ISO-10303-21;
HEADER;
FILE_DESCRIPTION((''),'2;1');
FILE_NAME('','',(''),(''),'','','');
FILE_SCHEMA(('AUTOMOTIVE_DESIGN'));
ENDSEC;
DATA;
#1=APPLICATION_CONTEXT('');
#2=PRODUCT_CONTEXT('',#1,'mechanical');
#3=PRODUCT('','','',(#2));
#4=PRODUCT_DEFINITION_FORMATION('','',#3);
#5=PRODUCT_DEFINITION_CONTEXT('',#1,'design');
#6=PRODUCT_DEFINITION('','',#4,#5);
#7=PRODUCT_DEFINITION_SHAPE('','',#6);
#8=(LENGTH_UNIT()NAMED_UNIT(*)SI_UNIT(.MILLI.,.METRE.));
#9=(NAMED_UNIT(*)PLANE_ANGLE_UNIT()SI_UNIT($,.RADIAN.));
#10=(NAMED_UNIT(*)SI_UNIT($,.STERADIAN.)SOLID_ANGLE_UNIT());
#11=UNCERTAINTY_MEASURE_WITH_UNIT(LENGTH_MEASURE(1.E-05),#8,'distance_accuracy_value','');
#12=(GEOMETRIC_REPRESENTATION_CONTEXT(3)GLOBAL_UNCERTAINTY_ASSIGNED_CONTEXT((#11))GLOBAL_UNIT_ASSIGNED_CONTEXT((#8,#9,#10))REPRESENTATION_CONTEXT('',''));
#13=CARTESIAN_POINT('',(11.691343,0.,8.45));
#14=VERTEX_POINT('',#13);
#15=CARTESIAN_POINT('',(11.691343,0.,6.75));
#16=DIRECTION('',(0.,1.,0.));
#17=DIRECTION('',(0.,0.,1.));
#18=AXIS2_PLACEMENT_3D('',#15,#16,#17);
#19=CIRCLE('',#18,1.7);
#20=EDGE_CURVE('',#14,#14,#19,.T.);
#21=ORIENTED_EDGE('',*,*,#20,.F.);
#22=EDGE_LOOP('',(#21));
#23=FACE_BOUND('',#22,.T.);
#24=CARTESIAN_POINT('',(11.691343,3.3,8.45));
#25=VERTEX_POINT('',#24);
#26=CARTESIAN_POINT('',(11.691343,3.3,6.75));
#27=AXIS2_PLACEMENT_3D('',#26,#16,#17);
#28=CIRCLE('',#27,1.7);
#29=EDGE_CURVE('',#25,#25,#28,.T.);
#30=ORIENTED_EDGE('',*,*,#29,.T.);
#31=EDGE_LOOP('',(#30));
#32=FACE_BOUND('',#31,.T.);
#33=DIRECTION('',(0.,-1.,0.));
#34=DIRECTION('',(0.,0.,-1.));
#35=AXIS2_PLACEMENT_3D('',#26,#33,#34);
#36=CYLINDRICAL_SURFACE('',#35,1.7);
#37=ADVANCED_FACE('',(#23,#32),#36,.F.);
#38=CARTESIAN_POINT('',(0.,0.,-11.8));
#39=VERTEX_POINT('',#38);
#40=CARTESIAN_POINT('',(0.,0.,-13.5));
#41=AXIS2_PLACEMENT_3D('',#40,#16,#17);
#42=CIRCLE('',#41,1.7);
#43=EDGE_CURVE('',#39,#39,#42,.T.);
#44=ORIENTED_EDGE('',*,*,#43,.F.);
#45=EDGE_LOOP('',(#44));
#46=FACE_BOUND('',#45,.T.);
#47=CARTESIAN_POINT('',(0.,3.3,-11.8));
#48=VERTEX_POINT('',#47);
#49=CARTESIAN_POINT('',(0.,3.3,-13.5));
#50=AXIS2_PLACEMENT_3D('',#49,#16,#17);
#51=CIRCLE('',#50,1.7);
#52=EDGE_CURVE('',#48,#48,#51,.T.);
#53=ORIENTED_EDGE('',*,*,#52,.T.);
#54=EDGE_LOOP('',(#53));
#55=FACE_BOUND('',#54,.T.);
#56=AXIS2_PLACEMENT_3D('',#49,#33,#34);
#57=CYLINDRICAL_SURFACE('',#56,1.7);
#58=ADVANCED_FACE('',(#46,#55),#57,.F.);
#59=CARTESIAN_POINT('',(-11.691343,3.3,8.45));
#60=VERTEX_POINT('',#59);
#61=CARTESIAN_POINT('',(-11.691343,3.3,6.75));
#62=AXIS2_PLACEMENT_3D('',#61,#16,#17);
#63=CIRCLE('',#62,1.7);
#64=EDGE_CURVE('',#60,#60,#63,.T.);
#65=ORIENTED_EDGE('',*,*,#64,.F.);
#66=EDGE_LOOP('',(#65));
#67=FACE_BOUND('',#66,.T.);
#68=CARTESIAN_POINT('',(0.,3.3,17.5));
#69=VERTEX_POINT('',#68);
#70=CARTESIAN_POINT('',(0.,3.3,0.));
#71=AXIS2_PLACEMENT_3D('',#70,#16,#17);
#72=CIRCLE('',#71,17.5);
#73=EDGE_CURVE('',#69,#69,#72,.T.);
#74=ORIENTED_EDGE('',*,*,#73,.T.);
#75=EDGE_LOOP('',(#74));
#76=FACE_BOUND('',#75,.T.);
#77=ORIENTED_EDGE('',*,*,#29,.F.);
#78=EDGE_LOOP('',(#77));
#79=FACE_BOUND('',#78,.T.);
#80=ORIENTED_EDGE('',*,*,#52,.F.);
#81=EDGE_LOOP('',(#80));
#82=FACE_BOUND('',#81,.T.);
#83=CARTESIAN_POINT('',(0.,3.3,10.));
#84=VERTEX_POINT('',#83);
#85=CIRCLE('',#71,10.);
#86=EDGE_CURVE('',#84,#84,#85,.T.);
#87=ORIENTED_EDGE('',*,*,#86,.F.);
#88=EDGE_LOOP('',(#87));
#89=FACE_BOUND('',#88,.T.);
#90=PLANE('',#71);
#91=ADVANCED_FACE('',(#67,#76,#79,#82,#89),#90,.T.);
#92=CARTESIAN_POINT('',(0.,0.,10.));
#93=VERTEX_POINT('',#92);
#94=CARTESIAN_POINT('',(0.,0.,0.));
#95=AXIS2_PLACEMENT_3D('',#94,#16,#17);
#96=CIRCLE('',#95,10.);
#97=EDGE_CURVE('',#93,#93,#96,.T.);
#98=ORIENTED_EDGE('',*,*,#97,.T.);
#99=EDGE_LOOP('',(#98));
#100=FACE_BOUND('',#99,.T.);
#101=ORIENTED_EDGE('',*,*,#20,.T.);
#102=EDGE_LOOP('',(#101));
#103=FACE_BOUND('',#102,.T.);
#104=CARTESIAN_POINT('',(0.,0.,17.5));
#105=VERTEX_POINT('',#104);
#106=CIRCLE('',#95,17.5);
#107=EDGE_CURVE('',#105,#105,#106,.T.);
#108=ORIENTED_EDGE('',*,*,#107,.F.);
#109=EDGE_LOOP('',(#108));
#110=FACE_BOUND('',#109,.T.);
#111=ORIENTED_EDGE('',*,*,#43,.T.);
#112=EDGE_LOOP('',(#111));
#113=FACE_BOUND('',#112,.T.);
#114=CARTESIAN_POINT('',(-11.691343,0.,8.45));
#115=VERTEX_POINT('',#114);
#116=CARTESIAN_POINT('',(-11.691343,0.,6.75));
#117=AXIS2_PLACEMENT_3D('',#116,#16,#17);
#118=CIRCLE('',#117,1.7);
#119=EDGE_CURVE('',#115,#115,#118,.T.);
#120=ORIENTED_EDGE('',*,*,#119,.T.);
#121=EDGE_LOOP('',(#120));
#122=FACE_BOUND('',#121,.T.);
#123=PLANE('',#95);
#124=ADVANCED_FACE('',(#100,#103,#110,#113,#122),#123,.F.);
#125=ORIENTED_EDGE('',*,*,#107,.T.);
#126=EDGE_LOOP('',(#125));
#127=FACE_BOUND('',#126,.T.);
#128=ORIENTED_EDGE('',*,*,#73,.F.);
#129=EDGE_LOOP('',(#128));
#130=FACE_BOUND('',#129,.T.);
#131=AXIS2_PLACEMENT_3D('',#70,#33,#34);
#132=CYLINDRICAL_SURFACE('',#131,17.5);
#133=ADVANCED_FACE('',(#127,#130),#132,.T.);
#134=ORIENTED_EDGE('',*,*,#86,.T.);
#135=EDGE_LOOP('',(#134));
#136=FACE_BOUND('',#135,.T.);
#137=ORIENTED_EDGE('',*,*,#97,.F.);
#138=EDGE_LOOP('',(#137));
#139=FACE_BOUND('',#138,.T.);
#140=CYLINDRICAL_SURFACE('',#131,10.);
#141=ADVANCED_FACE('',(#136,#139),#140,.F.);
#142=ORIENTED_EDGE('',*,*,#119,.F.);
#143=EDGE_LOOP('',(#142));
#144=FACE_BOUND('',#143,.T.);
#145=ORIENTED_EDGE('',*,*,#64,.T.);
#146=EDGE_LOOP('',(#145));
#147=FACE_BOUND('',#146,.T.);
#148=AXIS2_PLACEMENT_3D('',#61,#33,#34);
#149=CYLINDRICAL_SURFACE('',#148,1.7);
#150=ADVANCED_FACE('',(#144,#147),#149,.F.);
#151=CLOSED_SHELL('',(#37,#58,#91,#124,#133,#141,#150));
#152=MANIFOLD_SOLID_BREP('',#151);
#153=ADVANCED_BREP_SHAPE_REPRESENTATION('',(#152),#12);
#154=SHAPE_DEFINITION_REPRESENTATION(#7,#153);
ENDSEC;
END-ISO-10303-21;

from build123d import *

# Parameters (mm, degrees)
SKETCH_1_R      = 17.5
SKETCH_1_R_2    = 10
SKETCH_1_R_3    = 1.7
EXTRUDE_1_DEPTH = 3.3


with BuildPart() as part:
    # 草图1 → 凸台-拉伸1 (new body)
    with BuildSketch(Plane(origin=(0, 0, 0), x_dir=(1, 0, 0), z_dir=(0, 1, 0))):
        with Locations(Location((0, 0, 0), (0, 0, 270))):
            Circle(SKETCH_1_R)
        with Locations(Location((0, 0, 0), (0, 0, 270))):
            Circle(SKETCH_1_R_2, mode=Mode.SUBTRACT)
        with Locations(Location((0, 13.5, 0), (0, 0, 270))):
            Circle(SKETCH_1_R_3, mode=Mode.SUBTRACT)
        with Locations(Location((11.691342951, -6.75, 0), (0, 0, 270))):
            Circle(SKETCH_1_R_3, mode=Mode.SUBTRACT)
        with Locations(Location((-11.691342951, -6.75, 0), (0, 0, 270))):
            Circle(SKETCH_1_R_3, mode=Mode.SUBTRACT)
    extrude(amount=EXTRUDE_1_DEPTH)


solid = part.part
